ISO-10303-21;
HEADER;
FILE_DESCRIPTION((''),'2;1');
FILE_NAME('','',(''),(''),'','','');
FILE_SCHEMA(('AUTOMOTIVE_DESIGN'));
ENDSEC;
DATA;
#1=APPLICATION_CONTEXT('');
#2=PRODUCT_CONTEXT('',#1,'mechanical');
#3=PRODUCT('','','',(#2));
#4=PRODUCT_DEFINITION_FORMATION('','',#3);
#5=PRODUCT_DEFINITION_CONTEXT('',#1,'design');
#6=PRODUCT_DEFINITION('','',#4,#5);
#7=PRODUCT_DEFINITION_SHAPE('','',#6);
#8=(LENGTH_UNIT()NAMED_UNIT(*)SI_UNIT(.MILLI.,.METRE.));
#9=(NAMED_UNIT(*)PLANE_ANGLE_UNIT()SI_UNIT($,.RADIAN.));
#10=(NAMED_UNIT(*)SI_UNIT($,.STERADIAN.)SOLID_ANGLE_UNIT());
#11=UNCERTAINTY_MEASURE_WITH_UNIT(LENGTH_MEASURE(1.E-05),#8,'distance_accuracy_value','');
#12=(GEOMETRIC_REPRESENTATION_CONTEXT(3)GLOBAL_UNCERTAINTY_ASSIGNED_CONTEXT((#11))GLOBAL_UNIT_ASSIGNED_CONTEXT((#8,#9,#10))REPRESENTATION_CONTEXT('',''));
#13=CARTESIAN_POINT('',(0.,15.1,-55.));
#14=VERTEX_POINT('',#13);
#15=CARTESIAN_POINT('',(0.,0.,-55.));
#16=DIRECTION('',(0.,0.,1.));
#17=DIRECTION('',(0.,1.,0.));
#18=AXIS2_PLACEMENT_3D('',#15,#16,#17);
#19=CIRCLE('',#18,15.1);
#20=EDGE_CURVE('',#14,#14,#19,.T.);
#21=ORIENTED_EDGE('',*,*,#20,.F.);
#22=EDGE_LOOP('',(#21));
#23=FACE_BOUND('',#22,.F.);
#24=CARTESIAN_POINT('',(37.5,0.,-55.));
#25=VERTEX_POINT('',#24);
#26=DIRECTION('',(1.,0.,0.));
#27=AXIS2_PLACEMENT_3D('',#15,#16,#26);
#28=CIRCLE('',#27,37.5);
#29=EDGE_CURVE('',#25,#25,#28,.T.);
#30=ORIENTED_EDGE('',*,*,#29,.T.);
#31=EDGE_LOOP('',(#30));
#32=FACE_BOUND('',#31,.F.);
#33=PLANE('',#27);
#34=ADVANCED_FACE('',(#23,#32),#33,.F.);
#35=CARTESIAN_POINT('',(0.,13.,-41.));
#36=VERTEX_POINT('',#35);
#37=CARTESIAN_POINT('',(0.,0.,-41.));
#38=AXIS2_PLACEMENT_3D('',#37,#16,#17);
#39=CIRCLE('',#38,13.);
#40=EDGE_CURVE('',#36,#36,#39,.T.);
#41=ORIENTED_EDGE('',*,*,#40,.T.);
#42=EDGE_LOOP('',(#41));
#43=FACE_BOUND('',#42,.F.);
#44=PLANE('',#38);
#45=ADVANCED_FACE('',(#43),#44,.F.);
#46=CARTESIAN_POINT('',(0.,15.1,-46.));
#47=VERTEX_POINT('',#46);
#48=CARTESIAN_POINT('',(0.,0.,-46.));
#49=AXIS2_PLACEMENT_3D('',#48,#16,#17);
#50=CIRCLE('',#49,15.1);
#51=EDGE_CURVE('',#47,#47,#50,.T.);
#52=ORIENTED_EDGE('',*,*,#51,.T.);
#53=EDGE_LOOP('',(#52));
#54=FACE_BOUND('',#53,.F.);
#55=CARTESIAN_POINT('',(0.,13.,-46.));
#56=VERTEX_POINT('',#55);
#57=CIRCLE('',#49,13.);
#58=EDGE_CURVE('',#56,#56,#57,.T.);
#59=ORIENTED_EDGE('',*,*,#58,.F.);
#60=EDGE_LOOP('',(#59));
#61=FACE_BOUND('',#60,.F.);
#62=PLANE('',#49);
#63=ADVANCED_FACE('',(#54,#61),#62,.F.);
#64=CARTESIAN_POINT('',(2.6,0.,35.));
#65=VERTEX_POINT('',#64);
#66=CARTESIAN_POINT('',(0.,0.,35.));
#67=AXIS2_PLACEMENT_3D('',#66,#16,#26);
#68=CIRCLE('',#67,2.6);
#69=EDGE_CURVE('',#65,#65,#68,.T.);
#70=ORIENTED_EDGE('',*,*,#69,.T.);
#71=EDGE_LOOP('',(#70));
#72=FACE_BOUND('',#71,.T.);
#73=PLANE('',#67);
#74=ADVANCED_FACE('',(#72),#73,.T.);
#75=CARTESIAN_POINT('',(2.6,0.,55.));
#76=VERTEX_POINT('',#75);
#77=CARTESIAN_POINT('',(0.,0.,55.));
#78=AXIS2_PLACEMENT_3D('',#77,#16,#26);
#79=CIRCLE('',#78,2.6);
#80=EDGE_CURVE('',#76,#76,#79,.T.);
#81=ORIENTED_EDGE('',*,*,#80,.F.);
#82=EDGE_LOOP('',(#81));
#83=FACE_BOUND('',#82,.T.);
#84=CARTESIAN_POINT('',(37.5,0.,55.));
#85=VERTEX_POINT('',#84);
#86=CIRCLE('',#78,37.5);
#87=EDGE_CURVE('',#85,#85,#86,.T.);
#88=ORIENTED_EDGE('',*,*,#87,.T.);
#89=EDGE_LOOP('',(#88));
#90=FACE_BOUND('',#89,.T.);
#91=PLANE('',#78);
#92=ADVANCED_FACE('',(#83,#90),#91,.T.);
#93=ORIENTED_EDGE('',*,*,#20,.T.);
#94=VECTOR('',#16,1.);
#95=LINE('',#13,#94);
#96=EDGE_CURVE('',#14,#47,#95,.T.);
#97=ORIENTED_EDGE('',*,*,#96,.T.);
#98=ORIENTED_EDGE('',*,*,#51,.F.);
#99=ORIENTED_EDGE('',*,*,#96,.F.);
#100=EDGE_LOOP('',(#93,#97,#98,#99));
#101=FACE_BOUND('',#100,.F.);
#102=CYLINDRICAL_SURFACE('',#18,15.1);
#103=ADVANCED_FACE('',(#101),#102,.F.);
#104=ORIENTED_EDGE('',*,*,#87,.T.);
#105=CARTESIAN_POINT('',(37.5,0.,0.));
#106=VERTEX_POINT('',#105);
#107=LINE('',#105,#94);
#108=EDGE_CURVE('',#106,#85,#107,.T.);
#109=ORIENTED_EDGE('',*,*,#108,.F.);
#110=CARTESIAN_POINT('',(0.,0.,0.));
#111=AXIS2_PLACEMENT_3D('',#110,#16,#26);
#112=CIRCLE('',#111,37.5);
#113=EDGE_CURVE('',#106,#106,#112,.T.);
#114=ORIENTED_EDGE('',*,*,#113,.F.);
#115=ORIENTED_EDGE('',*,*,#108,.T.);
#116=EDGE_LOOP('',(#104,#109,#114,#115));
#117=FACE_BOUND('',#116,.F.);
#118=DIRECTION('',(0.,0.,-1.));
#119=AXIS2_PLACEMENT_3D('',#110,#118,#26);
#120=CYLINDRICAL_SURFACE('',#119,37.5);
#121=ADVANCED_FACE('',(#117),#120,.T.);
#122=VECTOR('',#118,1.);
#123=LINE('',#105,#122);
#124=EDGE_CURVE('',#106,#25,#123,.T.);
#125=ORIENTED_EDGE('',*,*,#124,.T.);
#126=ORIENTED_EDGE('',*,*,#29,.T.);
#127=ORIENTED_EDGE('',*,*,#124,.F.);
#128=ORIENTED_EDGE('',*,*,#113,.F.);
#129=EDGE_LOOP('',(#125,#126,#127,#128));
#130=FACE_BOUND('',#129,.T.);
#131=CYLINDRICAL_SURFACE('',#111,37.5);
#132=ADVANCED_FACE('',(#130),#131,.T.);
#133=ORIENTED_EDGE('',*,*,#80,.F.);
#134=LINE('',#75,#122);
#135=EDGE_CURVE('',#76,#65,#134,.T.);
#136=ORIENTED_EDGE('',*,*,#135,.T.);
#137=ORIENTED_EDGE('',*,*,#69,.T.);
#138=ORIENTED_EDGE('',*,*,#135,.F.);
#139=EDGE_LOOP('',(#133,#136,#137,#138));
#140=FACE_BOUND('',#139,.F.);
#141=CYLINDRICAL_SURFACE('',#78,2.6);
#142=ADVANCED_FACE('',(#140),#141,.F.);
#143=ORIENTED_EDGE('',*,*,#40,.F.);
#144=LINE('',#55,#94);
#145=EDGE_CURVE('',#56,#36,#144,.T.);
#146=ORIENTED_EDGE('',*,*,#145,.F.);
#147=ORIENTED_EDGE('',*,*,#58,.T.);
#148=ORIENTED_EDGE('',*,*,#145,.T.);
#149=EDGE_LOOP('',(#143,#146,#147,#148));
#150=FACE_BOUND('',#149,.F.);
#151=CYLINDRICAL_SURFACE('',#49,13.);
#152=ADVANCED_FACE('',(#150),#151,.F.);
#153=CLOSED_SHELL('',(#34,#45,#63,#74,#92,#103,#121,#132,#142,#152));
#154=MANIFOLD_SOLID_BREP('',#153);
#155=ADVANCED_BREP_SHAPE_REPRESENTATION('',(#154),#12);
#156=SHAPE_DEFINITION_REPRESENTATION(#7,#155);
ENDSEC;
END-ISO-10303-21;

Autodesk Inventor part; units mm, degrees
ref_plane "YZ Plane" through (0, 0, 0) normal (1, 0, 0) x (0, 1, 0)
ref_plane "XZ Plane" through (0, 0, 0) normal (0, 1, 0) x (-1, 0, 0)
ref_plane "XY Plane" through (0, 0, 0) normal (0, 0, 1) x (1, 0, 0)
sketch "Sketch1" plane through (0, 0, 0) normal (0, 0, 1) x (1, 0, 0)
  circle A0 centre (0, 0) radius 37.5
  dimension "d0" = 75
extrude "Extrusion1" add sketch "Sketch1" along normal mid plane 110
sketch "Sketch4" plane through (0, 0, -55) normal (0, 0, -1) x (-1, 0, 0)
  point P0 (0, 0)
  point P1 (0, 0)
hole "Hole1" at (0, 0, -55) direction (0, 0, 1) diameter 26 depth 14 counterbore diameter 30.2 counterbore depth 9
sketch "Sketch5" plane through (0, 0, 55) normal (0, 0, 1) x (1, 0, 0)
  circle A0 centre (0, 0) radius 2.6
  dimension "d22" = 5.2
extrude "Extrusion4" cut sketch "Sketch5" against normal blind 20
properties part number "13042026-11"
